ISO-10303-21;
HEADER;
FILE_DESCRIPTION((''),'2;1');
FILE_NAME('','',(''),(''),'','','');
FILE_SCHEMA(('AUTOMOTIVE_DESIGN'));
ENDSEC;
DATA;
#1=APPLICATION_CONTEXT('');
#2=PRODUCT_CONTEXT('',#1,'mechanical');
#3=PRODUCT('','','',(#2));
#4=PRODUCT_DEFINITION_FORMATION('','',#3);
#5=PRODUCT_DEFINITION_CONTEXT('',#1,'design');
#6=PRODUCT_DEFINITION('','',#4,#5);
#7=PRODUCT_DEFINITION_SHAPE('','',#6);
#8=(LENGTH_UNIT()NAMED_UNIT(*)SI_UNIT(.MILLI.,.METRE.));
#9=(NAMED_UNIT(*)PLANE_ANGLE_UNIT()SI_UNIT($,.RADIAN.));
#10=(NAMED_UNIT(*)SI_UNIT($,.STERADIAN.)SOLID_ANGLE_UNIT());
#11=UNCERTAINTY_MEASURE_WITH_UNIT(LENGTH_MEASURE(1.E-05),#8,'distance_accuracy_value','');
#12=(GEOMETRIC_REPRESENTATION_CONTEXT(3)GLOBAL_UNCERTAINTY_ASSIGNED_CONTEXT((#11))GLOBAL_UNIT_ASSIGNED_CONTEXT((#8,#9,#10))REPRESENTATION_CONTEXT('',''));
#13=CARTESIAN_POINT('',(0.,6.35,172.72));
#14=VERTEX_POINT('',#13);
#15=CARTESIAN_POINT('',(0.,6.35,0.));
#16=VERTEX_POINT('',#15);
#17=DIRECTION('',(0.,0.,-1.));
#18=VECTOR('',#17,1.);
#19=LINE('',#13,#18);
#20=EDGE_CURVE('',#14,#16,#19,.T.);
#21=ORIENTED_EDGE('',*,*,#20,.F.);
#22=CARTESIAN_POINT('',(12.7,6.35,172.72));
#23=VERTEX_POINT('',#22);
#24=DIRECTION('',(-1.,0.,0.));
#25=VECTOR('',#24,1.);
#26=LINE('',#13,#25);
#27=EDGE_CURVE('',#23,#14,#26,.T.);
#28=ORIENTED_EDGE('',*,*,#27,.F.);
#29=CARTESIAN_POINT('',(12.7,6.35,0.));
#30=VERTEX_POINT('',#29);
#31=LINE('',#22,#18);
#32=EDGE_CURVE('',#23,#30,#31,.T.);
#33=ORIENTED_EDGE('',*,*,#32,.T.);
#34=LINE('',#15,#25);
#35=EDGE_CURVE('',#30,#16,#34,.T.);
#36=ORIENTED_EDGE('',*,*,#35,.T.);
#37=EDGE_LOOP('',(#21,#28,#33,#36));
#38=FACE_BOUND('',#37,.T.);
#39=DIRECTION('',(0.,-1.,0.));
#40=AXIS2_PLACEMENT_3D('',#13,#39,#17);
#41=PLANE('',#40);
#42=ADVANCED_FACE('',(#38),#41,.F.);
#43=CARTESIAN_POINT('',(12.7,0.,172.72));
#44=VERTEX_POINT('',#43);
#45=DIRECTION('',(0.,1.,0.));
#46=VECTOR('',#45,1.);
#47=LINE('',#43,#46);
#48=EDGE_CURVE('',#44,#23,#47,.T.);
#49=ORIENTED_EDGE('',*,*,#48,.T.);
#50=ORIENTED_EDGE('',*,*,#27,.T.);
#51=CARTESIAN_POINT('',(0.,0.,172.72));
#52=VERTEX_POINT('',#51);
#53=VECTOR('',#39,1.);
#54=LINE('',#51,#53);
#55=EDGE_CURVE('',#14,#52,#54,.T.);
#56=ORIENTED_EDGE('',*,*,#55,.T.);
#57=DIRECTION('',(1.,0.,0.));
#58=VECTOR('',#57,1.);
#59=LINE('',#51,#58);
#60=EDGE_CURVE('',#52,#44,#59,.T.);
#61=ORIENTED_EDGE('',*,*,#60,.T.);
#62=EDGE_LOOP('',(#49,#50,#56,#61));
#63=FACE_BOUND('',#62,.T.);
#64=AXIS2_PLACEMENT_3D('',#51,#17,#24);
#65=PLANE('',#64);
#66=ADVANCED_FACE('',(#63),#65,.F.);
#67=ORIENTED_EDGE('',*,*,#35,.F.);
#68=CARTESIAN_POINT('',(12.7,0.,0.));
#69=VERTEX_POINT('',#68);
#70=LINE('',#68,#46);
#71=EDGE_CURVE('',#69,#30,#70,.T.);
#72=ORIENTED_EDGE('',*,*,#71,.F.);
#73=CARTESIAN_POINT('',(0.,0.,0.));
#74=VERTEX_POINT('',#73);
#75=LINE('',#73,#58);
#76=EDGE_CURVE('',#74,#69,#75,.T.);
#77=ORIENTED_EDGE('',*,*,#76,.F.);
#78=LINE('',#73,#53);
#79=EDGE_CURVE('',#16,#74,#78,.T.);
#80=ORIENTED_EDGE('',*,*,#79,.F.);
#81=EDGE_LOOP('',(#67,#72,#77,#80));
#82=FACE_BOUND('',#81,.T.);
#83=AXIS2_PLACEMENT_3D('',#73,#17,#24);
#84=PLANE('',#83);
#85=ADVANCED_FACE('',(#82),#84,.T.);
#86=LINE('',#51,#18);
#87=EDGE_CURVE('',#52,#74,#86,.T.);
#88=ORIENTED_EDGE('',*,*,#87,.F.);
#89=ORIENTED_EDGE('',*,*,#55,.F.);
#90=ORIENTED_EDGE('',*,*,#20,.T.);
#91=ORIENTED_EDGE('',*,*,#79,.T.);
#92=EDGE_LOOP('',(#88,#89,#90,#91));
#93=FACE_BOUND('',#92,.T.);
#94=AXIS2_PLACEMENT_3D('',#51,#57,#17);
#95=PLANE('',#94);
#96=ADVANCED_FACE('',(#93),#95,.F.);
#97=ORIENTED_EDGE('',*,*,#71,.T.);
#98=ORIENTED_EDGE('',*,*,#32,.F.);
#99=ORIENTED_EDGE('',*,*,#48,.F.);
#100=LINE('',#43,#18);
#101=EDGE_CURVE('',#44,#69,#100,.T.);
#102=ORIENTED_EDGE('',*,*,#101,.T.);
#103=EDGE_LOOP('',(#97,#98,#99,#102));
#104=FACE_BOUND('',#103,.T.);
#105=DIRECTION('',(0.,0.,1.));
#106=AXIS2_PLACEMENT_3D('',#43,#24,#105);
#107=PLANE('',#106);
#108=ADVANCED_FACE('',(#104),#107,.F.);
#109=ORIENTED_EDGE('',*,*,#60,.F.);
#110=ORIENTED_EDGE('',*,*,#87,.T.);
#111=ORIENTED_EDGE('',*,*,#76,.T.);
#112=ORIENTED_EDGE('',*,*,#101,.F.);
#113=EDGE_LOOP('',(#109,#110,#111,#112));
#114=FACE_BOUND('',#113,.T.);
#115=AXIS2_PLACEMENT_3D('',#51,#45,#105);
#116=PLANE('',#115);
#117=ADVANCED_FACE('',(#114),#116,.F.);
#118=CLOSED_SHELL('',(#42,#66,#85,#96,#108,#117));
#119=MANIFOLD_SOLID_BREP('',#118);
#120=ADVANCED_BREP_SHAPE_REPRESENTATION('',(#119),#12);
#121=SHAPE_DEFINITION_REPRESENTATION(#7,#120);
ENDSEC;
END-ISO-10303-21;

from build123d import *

# Parameters (mm, degrees)
SKETCH1_W           = 12.7
SKETCH1_H           = 6.35
BOSS_EXTRUDE1_DEPTH = 172.72


with BuildPart() as part:
    # Sketch1 → Boss-Extrude1 (new body)
    with BuildSketch(Plane.XY):
        with Locations((6.35, 3.175)):
            Rectangle(SKETCH1_W, SKETCH1_H)
    extrude(amount=BOSS_EXTRUDE1_DEPTH)


solid = part.part
